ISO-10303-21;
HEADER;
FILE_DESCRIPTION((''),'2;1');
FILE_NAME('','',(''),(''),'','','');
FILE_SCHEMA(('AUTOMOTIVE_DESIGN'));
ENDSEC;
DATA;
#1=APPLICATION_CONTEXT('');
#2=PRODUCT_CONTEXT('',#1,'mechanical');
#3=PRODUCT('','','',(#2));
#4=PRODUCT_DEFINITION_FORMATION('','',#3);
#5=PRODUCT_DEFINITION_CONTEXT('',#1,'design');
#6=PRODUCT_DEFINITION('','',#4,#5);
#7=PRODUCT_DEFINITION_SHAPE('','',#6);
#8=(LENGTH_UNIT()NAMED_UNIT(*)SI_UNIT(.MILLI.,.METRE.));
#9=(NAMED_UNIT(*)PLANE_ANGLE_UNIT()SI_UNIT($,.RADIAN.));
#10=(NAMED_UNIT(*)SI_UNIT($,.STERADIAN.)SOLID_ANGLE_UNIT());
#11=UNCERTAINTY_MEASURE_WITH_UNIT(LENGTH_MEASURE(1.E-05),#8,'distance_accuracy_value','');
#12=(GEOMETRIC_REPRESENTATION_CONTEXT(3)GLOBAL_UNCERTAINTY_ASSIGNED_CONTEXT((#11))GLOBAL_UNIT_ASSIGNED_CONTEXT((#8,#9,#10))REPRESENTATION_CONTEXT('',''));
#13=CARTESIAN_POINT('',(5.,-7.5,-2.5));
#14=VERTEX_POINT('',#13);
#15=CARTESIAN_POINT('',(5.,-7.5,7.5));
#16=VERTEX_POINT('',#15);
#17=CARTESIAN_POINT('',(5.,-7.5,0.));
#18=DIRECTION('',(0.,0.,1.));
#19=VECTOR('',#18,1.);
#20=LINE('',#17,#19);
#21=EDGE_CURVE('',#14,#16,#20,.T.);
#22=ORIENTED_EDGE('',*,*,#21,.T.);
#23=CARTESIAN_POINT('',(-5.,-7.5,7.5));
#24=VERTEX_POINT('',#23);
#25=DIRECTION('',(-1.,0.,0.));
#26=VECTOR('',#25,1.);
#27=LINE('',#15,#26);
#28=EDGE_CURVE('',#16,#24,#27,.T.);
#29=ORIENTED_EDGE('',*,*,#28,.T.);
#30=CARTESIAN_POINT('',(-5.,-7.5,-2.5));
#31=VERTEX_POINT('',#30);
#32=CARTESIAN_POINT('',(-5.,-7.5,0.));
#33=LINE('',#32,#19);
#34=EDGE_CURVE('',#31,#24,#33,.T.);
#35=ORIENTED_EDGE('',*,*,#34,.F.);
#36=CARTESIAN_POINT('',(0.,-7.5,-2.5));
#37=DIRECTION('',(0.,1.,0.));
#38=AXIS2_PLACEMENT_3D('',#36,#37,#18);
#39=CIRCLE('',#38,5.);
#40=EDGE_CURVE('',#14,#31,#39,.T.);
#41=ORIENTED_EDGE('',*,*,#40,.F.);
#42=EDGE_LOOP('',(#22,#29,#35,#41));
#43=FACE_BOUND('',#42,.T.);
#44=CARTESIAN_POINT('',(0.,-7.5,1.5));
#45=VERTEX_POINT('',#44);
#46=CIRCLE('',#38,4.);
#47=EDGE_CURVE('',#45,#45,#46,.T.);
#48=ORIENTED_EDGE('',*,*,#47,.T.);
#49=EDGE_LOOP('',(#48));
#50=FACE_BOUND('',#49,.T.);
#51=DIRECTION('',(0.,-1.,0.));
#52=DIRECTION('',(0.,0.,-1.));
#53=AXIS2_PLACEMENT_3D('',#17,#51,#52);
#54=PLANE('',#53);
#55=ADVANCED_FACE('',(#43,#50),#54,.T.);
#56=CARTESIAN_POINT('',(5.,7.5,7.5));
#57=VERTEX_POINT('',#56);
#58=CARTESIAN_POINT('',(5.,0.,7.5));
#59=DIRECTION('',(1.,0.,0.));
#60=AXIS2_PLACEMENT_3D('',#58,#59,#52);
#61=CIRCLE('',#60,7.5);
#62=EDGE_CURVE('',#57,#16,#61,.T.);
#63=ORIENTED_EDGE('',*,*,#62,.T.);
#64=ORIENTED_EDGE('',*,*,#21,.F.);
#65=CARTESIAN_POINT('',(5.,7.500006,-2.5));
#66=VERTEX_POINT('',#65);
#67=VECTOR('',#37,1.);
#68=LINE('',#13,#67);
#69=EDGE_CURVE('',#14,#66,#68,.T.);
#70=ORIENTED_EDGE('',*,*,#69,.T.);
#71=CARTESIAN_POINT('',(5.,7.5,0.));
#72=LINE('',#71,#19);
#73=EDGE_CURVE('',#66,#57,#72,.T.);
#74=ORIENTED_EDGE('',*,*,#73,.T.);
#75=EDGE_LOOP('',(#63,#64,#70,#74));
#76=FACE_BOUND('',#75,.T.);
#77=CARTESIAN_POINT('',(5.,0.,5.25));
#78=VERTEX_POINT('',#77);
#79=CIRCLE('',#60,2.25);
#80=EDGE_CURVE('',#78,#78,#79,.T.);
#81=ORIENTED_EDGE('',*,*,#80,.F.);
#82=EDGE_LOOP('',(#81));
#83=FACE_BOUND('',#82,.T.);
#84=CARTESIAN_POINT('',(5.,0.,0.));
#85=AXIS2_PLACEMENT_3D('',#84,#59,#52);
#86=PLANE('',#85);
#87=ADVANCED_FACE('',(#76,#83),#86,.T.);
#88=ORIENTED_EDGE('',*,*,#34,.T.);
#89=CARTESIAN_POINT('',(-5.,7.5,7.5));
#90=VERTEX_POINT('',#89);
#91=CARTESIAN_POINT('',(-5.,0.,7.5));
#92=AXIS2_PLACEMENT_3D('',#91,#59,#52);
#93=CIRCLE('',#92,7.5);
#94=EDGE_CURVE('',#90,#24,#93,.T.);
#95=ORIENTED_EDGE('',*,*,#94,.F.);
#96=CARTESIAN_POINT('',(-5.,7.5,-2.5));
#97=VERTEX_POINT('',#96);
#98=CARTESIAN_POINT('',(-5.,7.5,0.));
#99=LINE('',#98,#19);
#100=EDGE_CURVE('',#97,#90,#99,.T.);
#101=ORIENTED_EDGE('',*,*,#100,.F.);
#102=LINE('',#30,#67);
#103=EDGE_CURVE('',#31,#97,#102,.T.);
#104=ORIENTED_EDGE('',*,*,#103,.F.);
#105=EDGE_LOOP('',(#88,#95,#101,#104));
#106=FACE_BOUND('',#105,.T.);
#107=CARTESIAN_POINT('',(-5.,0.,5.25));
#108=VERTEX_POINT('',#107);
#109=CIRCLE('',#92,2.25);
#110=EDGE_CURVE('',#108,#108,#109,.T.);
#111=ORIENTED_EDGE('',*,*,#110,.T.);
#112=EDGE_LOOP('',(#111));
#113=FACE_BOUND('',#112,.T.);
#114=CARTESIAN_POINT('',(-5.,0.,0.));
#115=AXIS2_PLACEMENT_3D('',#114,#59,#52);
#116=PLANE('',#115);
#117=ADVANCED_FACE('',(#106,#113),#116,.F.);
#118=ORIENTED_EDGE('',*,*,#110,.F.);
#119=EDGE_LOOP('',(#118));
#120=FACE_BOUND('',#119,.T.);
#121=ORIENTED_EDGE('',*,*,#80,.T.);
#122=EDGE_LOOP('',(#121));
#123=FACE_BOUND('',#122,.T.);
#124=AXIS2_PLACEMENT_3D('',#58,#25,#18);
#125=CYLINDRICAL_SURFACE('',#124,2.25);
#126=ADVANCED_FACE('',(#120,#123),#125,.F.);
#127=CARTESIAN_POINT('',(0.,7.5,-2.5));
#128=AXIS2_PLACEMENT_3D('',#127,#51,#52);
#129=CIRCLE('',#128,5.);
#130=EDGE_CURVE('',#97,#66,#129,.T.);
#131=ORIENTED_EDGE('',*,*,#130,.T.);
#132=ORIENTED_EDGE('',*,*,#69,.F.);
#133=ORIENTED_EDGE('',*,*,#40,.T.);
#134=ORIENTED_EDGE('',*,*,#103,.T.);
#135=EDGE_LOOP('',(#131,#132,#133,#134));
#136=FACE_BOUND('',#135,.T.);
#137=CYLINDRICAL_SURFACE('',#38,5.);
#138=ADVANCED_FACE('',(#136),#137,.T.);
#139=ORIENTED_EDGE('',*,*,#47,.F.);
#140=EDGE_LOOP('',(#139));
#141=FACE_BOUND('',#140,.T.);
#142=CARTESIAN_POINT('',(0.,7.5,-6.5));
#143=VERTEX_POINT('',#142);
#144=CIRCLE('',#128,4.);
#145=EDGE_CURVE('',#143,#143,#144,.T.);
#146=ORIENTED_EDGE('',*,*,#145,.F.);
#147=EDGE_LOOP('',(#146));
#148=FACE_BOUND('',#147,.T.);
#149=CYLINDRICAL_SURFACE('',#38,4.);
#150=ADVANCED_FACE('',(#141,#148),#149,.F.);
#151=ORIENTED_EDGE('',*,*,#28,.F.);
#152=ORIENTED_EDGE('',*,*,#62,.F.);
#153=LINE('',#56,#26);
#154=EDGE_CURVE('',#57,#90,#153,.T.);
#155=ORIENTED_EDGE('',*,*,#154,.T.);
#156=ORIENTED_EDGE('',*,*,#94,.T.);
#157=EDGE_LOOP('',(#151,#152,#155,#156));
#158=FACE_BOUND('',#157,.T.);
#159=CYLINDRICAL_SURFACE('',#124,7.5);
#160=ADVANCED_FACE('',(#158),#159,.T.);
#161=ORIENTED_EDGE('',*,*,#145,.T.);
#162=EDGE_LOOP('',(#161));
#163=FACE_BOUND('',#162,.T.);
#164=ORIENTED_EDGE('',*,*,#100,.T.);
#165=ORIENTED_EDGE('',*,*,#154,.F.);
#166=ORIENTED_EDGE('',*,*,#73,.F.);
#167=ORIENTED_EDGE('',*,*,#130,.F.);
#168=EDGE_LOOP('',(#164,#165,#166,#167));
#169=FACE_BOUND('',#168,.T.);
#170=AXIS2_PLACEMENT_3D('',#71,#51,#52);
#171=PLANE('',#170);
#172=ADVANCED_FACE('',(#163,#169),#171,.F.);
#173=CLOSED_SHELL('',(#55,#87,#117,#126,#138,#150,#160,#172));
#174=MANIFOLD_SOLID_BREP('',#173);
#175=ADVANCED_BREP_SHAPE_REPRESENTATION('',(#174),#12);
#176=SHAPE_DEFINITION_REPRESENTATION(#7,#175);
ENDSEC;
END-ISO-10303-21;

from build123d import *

# Parameters (mm, degrees)
SKETCH1_R               = 2.25
BOSS_EXTRUDE1_DEPTH     = 5
SKETCH2_R               = 4
CUT_EXTRUDE1_DEPTH      = 1
CUT_EXTRUDE1_DEPTH_BACK = 16


with BuildPart() as part:
    # Sketch1 → Boss-Extrude1 (new body, symmetric)
    with BuildSketch(Plane(origin=(0, 0, 0), x_dir=(0, 0, -1), z_dir=(1, 0, 0))):
        with BuildLine():
            Line((7.5, -7.5), (-7.5, -7.5))
            ThreePointArc((-7.5, -7.5), (-15, 0), (-7.5, 7.5))
            Line((-7.5, 7.5), (7.5, 7.5))
            Line((7.5, 7.5), (7.5, -7.5))
        make_face()
        with Locations((-7.5, 0)):
            Circle(SKETCH1_R, mode=Mode.SUBTRACT)
    extrude(amount=BOSS_EXTRUDE1_DEPTH, both=True)

    # Sketch2 → Cut-Extrude1 (cut, two sides)
    with BuildSketch(Plane(origin=(0, 7.5, 0), x_dir=(1, 0, 0), z_dir=(0, 1, 0))) as cut_extrude1_sk:
        Polygon((-5, 10.919306059), (-5, 7.5), (0, 7.5), (5, 7.5), (5, 10.919306059), align=None)
        with BuildLine():
            Line((-5, 7.5), (-5, 2.5))
            ThreePointArc((-5, 2.5), (-3.535533906, 6.035533906), (0, 7.5))
            Line((0, 7.5), (-5, 7.5))
        make_face()
        with BuildLine():
            ThreePointArc((0, 7.5), (3.535533906, 6.035533906), (5, 2.5))
            Line((5, 2.5), (5, 7.5))
            Line((5, 7.5), (0, 7.5))
        make_face()
        with Locations((0, 2.5)):
            Circle(SKETCH2_R)
    extrude(amount=CUT_EXTRUDE1_DEPTH, mode=Mode.SUBTRACT)
    extrude(cut_extrude1_sk.sketch, amount=-CUT_EXTRUDE1_DEPTH_BACK, mode=Mode.SUBTRACT)


solid = part.part
